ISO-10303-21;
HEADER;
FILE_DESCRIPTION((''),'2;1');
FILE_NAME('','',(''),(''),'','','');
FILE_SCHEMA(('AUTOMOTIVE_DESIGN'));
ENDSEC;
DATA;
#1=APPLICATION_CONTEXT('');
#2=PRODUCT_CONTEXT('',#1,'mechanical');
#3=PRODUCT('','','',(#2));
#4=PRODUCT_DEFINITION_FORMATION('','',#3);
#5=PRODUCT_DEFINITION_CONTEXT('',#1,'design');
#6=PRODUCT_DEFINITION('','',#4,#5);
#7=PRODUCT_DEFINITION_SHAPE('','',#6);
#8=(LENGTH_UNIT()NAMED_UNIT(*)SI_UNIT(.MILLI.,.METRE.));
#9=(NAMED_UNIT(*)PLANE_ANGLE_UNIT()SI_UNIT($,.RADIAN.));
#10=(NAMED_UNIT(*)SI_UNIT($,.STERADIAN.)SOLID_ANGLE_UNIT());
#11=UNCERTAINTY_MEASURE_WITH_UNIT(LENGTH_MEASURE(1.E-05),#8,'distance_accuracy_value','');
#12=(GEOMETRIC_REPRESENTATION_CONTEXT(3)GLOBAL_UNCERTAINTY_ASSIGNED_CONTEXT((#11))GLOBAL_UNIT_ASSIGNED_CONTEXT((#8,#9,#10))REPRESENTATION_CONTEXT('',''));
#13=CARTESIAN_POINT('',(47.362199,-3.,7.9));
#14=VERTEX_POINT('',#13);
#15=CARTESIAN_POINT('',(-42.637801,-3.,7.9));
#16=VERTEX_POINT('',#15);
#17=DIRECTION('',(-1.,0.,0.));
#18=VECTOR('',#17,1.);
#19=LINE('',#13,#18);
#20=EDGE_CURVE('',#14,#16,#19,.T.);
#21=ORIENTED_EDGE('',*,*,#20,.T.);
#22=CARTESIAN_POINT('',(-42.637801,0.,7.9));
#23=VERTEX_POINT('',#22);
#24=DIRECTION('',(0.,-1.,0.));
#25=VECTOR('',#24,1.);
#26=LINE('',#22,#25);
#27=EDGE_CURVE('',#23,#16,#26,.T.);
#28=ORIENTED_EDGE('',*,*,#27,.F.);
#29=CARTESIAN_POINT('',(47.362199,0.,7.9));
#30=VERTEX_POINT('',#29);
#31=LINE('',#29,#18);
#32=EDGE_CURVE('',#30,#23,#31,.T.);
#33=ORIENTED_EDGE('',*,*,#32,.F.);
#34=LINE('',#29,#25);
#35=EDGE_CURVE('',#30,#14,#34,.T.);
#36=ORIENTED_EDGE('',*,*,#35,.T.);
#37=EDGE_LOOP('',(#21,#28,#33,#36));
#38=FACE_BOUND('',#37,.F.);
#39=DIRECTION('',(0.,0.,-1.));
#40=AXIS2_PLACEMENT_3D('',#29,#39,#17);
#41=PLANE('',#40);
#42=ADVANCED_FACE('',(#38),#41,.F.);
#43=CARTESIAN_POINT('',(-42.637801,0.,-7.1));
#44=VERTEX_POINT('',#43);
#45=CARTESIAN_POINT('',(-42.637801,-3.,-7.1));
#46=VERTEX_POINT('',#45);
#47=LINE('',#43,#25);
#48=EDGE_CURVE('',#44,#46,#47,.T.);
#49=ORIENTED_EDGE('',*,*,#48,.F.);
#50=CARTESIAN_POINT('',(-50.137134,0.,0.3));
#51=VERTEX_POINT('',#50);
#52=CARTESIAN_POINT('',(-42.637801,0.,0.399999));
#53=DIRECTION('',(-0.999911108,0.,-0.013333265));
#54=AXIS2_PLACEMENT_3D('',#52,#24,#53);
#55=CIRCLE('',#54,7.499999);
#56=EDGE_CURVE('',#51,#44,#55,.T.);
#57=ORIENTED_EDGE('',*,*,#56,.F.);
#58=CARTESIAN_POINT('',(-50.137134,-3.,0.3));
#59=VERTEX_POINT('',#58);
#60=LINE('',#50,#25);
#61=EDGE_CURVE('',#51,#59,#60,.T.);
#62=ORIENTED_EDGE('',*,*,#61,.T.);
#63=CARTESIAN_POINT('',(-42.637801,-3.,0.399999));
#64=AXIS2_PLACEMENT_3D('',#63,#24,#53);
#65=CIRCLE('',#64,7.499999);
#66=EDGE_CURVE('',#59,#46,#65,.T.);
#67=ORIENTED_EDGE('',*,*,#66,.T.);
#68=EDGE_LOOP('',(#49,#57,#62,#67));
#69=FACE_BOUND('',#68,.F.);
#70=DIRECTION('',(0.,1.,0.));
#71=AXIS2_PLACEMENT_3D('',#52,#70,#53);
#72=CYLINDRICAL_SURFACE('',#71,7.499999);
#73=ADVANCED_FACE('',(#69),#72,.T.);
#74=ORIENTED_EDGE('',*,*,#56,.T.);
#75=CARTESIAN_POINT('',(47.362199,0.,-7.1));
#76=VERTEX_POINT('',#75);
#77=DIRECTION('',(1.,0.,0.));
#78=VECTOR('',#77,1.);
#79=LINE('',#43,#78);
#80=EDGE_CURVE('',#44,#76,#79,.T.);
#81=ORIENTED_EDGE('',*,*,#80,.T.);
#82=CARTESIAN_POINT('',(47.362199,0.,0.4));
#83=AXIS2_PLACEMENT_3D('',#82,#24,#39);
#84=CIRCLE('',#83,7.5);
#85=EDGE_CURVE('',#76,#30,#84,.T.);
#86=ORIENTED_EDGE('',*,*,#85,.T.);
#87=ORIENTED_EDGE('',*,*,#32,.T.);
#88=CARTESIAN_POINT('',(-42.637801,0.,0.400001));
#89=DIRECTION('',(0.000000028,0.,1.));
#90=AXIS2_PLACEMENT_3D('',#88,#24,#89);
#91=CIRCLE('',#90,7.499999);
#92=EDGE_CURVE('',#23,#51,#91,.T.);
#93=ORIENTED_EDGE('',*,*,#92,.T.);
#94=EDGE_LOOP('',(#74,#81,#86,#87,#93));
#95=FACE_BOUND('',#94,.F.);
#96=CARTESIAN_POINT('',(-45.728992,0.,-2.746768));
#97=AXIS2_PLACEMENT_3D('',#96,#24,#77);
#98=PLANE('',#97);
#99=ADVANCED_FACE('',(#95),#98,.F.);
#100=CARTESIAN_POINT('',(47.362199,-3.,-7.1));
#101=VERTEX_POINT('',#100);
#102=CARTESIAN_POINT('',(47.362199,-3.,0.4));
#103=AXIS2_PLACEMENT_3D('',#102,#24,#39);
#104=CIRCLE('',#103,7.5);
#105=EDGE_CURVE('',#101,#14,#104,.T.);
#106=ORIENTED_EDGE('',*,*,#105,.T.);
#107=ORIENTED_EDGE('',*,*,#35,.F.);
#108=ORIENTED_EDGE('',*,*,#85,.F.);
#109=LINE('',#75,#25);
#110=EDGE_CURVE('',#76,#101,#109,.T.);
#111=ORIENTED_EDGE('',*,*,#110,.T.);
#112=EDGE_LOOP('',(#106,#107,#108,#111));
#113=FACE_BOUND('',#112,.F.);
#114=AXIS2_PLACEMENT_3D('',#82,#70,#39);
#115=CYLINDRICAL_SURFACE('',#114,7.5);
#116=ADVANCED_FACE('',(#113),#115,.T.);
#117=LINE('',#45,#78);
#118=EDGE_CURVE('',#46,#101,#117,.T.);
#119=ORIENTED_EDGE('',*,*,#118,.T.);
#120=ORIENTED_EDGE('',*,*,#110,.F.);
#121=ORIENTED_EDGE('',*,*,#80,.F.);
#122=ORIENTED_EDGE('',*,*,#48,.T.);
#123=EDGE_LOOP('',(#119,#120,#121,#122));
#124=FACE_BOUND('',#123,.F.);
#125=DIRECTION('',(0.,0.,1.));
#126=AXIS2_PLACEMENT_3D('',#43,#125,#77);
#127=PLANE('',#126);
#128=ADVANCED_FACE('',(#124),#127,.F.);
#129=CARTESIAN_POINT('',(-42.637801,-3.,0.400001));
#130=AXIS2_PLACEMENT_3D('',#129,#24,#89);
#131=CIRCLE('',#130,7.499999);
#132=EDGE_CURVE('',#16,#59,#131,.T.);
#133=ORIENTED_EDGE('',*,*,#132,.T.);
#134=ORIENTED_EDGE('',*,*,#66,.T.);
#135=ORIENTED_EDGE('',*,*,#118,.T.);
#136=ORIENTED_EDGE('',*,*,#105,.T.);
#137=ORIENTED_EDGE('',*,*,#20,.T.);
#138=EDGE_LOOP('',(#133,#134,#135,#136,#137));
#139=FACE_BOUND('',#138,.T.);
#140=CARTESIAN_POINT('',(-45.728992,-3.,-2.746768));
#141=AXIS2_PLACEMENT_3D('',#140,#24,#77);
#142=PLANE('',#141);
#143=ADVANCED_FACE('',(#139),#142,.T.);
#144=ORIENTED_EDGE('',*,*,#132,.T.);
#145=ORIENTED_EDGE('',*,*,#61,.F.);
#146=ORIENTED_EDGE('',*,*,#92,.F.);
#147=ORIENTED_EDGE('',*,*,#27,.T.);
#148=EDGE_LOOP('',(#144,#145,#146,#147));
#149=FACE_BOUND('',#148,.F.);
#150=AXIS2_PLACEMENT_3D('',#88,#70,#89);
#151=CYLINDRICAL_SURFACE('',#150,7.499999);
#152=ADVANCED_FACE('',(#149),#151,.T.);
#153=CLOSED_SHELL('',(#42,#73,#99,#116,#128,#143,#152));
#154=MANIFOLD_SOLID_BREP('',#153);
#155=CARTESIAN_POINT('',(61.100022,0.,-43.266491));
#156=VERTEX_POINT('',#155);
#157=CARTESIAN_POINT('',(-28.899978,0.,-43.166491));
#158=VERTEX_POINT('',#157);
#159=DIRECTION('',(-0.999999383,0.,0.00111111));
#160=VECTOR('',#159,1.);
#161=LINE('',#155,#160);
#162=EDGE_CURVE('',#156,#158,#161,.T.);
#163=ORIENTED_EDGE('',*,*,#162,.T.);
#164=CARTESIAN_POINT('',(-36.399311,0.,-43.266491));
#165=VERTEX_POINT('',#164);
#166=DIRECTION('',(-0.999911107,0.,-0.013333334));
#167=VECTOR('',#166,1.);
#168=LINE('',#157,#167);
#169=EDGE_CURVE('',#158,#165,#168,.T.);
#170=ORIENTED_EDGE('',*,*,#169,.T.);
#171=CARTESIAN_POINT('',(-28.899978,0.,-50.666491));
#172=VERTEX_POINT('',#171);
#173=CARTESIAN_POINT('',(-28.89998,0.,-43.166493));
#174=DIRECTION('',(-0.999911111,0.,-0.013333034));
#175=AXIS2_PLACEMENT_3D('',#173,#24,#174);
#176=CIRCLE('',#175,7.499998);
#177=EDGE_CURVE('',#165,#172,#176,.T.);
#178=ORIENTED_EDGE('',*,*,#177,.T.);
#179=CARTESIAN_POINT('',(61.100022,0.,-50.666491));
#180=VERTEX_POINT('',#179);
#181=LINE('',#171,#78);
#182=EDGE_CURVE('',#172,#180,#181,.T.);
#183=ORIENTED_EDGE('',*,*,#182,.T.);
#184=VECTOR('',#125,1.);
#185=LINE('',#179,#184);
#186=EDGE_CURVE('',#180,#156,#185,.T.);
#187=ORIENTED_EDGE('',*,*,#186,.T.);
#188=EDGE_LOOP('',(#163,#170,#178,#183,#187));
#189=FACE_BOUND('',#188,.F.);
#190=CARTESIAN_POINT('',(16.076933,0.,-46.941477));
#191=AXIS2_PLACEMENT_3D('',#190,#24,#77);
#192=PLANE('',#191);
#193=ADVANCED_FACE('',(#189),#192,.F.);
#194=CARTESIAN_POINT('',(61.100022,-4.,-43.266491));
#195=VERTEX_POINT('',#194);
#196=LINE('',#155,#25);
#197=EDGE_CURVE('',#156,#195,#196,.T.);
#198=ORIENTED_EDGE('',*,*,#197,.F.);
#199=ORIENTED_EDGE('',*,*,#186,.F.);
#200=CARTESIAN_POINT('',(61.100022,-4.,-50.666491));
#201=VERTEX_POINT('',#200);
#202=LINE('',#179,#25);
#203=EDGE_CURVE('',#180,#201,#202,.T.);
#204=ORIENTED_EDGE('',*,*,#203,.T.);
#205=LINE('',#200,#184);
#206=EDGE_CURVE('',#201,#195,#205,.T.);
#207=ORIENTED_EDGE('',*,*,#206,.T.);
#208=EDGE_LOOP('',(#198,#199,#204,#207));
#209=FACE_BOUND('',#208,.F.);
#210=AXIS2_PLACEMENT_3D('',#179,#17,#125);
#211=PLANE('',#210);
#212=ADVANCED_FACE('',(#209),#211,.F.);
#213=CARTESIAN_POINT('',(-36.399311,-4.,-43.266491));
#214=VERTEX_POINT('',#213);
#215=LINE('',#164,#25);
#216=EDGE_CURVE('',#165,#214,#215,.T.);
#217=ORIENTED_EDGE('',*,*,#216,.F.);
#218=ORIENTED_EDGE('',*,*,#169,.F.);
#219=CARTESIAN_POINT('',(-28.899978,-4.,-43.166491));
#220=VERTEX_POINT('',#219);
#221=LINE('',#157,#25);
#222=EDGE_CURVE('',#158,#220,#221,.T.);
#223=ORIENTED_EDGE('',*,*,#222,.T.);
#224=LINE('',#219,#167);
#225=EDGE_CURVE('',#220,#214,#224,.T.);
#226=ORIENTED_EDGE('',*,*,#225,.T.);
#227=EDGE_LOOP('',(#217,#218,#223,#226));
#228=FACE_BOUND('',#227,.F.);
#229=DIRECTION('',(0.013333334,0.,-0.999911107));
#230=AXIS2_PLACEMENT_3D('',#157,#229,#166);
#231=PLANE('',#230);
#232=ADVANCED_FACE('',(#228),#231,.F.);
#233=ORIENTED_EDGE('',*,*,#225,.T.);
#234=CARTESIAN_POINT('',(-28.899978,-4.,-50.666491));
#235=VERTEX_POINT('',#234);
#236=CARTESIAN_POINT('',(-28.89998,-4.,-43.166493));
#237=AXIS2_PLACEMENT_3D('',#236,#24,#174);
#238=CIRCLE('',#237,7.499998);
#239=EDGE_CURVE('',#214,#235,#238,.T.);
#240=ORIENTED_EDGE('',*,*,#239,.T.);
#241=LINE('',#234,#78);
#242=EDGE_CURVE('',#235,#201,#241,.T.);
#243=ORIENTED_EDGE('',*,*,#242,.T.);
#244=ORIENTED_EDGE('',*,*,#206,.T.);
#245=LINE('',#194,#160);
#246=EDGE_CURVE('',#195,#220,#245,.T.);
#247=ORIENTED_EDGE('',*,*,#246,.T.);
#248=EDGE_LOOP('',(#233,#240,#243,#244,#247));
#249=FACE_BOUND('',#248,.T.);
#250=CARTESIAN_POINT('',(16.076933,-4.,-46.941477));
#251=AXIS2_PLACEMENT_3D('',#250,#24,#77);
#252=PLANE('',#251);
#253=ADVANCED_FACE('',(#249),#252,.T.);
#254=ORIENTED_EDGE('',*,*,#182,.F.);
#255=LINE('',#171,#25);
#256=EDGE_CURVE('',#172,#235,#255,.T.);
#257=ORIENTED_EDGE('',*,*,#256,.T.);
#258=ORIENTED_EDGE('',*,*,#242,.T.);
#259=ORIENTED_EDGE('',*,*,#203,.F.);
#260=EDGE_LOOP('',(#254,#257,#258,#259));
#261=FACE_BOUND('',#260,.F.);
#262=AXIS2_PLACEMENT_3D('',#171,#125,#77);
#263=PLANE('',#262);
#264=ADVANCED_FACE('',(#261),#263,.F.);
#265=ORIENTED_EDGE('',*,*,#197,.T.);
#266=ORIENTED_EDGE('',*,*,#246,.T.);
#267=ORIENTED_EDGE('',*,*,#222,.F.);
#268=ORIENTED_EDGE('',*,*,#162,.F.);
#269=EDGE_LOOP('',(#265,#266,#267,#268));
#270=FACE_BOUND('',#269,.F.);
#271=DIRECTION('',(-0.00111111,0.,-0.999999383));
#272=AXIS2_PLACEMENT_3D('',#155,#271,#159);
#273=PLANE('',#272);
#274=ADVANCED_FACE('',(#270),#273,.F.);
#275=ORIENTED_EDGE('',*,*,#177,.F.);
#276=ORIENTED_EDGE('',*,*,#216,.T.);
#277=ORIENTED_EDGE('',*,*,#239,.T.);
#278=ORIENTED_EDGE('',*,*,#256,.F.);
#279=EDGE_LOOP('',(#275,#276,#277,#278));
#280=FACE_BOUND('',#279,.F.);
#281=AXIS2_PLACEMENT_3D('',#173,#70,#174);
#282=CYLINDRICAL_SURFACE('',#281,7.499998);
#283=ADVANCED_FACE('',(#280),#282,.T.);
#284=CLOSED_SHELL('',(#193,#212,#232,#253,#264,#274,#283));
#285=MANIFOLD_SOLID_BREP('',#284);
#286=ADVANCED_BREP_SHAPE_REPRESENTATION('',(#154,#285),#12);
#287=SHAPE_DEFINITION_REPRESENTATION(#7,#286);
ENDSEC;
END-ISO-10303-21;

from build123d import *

# Parameters (mm, degrees)
F1_DEPTH = 4
F2_DEPTH = 3


with BuildPart() as f1:
    # F0 (on Front) → F1 (new body)
    with BuildSketch(Plane.XZ):
        Polygon((-28.899978, -43.166491), (-28.899978, -50.666491), (61.100022, -50.666491), (61.100022, -43.266491), align=None)
        with BuildLine():
            ThreePointArc((-36.399311, -43.266491), (-34.167805, -48.505031), (-28.899978, -50.666491))
            Line((-28.899978, -50.666491), (-28.899978, -43.166491))
            Line((-28.899978, -43.166491), (-36.399311, -43.266491))
        make_face()
    extrude(amount=F1_DEPTH)


with BuildPart() as f2:
    # F0 (on Front) → F2 (new body)
    with BuildSketch(Plane.XZ):
        with BuildLine():
            ThreePointArc((-50.137134, 0.3), (-47.905628, -4.938539), (-42.637801, -7.1))
            Line((-42.637801, -7.1), (-42.637801, 0.3))
            Line((-42.637801, 0.3), (-50.137134, 0.3))
        make_face()
        with BuildLine():
            Line((-50.137134, 0.3), (-42.637801, 0.3))
            Line((-42.637801, 0.3), (-42.637801, 7.9))
            ThreePointArc((-42.637801, 7.9), (-47.97634, 5.667827), (-50.137134, 0.3))
        make_face()
        with BuildLine():
            Line((47.362199, -1.1), (47.362199, -7.1))
            ThreePointArc((47.362199, -7.1), (54.862199, 0.4), (47.362199, 7.9))
            Line((47.362199, 7.9), (47.362199, 1.9))
            ThreePointArc((47.362199, 1.9), (48.422859, 1.46066), (48.862199, 0.4))
            ThreePointArc((48.862199, 0.4), (48.422859, -0.66066), (47.362199, -1.1))
        make_face()
        with BuildLine():
            Line((-42.637801, 0.3), (-42.637801, -7.1))
            Line((-42.637801, -7.1), (47.362199, -7.1))
            Line((47.362199, -7.1), (47.362199, -1.1))
            ThreePointArc((47.362199, -1.1), (46.337504, -0.695445), (45.865536, 0.3))
            Line((45.865536, 0.3), (-31.948796, 0.3))
            Line((-31.948796, 0.3), (-42.637801, 0.3))
        make_face()
        with BuildLine():
            Line((-42.637801, 7.9), (-42.637801, 0.3))
            Line((-42.637801, 0.3), (-31.948796, 0.3))
            Line((-31.948796, 0.3), (45.865536, 0.3))
            ThreePointArc((45.865536, 0.3), (46.266754, 1.424695), (47.362199, 1.9))
            Line((47.362199, 1.9), (47.362199, 7.9))
            Line((47.362199, 7.9), (-42.637801, 7.9))
        make_face()
        with BuildLine():
            ThreePointArc((45.865536, 0.3), (46.337504, -0.695445), (47.362199, -1.1))
            ThreePointArc((47.362199, -1.1), (48.422859, -0.66066), (48.862199, 0.4))
            ThreePointArc((48.862199, 0.4), (48.422859, 1.46066), (47.362199, 1.9))
            ThreePointArc((47.362199, 1.9), (46.266754, 1.424695), (45.865536, 0.3))
        make_face()
    extrude(amount=F2_DEPTH)


solid = Compound([f1.part, f2.part])
